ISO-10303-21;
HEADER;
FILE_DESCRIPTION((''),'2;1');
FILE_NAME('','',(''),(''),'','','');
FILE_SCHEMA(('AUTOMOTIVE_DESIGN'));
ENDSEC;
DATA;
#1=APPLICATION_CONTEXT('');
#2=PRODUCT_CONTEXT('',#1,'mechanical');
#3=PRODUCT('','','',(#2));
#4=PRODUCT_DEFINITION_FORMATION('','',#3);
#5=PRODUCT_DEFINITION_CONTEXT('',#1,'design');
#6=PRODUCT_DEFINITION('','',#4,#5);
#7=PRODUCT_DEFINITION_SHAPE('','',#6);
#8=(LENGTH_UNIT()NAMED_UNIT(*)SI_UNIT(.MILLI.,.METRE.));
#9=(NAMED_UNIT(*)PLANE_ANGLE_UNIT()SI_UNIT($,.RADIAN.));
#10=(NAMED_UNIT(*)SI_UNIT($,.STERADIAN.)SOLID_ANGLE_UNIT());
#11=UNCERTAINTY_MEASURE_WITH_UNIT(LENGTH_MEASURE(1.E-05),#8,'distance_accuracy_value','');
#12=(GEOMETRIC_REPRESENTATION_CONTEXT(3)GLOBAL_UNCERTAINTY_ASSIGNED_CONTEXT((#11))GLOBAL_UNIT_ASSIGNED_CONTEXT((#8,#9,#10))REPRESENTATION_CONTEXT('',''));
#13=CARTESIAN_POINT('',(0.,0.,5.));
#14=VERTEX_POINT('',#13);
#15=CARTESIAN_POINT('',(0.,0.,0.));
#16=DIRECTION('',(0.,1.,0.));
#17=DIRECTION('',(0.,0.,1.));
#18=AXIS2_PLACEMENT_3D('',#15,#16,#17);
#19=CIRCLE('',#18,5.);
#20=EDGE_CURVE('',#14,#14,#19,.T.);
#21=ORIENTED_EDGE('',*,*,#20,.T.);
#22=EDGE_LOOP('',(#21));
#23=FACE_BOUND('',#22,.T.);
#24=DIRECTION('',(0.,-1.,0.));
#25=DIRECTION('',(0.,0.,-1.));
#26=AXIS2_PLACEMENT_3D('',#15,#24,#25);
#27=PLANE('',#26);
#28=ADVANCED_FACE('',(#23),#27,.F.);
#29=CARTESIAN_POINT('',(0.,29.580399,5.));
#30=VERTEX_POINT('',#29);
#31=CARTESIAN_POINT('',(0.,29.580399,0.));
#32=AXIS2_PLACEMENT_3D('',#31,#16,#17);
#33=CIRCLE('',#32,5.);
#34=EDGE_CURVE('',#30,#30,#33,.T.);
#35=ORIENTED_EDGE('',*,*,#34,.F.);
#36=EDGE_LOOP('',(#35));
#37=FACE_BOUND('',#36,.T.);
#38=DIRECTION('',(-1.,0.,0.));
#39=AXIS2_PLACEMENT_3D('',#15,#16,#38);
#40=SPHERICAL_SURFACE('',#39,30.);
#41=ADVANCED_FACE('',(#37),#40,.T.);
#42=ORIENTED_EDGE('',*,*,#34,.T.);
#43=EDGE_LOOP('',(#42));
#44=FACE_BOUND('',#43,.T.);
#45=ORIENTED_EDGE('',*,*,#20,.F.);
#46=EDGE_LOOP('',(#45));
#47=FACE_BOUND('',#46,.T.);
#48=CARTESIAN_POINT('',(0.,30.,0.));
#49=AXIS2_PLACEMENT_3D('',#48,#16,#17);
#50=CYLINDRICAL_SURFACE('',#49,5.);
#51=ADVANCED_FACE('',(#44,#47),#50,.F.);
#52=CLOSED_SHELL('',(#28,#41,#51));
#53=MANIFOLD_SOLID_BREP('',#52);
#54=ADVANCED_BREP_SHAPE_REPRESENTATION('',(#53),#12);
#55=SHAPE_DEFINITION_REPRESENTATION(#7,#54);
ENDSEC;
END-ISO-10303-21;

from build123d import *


with BuildPart() as part:
    # 草图1 → 旋转4 (revolve)
    with BuildSketch(Plane.XY):
        with BuildLine():
            Line((-5, 29.580398915), (-5, 0))
            Line((-5, 0), (0, 0))
            Line((0, 0), (0, -30))
            ThreePointArc((0, -30), (-29.894915684, -2.508787808), (-5, 29.580398915))
        make_face()
    revolve(axis=Axis((0, 30, 0), (0, -1, 0)))


solid = part.part
